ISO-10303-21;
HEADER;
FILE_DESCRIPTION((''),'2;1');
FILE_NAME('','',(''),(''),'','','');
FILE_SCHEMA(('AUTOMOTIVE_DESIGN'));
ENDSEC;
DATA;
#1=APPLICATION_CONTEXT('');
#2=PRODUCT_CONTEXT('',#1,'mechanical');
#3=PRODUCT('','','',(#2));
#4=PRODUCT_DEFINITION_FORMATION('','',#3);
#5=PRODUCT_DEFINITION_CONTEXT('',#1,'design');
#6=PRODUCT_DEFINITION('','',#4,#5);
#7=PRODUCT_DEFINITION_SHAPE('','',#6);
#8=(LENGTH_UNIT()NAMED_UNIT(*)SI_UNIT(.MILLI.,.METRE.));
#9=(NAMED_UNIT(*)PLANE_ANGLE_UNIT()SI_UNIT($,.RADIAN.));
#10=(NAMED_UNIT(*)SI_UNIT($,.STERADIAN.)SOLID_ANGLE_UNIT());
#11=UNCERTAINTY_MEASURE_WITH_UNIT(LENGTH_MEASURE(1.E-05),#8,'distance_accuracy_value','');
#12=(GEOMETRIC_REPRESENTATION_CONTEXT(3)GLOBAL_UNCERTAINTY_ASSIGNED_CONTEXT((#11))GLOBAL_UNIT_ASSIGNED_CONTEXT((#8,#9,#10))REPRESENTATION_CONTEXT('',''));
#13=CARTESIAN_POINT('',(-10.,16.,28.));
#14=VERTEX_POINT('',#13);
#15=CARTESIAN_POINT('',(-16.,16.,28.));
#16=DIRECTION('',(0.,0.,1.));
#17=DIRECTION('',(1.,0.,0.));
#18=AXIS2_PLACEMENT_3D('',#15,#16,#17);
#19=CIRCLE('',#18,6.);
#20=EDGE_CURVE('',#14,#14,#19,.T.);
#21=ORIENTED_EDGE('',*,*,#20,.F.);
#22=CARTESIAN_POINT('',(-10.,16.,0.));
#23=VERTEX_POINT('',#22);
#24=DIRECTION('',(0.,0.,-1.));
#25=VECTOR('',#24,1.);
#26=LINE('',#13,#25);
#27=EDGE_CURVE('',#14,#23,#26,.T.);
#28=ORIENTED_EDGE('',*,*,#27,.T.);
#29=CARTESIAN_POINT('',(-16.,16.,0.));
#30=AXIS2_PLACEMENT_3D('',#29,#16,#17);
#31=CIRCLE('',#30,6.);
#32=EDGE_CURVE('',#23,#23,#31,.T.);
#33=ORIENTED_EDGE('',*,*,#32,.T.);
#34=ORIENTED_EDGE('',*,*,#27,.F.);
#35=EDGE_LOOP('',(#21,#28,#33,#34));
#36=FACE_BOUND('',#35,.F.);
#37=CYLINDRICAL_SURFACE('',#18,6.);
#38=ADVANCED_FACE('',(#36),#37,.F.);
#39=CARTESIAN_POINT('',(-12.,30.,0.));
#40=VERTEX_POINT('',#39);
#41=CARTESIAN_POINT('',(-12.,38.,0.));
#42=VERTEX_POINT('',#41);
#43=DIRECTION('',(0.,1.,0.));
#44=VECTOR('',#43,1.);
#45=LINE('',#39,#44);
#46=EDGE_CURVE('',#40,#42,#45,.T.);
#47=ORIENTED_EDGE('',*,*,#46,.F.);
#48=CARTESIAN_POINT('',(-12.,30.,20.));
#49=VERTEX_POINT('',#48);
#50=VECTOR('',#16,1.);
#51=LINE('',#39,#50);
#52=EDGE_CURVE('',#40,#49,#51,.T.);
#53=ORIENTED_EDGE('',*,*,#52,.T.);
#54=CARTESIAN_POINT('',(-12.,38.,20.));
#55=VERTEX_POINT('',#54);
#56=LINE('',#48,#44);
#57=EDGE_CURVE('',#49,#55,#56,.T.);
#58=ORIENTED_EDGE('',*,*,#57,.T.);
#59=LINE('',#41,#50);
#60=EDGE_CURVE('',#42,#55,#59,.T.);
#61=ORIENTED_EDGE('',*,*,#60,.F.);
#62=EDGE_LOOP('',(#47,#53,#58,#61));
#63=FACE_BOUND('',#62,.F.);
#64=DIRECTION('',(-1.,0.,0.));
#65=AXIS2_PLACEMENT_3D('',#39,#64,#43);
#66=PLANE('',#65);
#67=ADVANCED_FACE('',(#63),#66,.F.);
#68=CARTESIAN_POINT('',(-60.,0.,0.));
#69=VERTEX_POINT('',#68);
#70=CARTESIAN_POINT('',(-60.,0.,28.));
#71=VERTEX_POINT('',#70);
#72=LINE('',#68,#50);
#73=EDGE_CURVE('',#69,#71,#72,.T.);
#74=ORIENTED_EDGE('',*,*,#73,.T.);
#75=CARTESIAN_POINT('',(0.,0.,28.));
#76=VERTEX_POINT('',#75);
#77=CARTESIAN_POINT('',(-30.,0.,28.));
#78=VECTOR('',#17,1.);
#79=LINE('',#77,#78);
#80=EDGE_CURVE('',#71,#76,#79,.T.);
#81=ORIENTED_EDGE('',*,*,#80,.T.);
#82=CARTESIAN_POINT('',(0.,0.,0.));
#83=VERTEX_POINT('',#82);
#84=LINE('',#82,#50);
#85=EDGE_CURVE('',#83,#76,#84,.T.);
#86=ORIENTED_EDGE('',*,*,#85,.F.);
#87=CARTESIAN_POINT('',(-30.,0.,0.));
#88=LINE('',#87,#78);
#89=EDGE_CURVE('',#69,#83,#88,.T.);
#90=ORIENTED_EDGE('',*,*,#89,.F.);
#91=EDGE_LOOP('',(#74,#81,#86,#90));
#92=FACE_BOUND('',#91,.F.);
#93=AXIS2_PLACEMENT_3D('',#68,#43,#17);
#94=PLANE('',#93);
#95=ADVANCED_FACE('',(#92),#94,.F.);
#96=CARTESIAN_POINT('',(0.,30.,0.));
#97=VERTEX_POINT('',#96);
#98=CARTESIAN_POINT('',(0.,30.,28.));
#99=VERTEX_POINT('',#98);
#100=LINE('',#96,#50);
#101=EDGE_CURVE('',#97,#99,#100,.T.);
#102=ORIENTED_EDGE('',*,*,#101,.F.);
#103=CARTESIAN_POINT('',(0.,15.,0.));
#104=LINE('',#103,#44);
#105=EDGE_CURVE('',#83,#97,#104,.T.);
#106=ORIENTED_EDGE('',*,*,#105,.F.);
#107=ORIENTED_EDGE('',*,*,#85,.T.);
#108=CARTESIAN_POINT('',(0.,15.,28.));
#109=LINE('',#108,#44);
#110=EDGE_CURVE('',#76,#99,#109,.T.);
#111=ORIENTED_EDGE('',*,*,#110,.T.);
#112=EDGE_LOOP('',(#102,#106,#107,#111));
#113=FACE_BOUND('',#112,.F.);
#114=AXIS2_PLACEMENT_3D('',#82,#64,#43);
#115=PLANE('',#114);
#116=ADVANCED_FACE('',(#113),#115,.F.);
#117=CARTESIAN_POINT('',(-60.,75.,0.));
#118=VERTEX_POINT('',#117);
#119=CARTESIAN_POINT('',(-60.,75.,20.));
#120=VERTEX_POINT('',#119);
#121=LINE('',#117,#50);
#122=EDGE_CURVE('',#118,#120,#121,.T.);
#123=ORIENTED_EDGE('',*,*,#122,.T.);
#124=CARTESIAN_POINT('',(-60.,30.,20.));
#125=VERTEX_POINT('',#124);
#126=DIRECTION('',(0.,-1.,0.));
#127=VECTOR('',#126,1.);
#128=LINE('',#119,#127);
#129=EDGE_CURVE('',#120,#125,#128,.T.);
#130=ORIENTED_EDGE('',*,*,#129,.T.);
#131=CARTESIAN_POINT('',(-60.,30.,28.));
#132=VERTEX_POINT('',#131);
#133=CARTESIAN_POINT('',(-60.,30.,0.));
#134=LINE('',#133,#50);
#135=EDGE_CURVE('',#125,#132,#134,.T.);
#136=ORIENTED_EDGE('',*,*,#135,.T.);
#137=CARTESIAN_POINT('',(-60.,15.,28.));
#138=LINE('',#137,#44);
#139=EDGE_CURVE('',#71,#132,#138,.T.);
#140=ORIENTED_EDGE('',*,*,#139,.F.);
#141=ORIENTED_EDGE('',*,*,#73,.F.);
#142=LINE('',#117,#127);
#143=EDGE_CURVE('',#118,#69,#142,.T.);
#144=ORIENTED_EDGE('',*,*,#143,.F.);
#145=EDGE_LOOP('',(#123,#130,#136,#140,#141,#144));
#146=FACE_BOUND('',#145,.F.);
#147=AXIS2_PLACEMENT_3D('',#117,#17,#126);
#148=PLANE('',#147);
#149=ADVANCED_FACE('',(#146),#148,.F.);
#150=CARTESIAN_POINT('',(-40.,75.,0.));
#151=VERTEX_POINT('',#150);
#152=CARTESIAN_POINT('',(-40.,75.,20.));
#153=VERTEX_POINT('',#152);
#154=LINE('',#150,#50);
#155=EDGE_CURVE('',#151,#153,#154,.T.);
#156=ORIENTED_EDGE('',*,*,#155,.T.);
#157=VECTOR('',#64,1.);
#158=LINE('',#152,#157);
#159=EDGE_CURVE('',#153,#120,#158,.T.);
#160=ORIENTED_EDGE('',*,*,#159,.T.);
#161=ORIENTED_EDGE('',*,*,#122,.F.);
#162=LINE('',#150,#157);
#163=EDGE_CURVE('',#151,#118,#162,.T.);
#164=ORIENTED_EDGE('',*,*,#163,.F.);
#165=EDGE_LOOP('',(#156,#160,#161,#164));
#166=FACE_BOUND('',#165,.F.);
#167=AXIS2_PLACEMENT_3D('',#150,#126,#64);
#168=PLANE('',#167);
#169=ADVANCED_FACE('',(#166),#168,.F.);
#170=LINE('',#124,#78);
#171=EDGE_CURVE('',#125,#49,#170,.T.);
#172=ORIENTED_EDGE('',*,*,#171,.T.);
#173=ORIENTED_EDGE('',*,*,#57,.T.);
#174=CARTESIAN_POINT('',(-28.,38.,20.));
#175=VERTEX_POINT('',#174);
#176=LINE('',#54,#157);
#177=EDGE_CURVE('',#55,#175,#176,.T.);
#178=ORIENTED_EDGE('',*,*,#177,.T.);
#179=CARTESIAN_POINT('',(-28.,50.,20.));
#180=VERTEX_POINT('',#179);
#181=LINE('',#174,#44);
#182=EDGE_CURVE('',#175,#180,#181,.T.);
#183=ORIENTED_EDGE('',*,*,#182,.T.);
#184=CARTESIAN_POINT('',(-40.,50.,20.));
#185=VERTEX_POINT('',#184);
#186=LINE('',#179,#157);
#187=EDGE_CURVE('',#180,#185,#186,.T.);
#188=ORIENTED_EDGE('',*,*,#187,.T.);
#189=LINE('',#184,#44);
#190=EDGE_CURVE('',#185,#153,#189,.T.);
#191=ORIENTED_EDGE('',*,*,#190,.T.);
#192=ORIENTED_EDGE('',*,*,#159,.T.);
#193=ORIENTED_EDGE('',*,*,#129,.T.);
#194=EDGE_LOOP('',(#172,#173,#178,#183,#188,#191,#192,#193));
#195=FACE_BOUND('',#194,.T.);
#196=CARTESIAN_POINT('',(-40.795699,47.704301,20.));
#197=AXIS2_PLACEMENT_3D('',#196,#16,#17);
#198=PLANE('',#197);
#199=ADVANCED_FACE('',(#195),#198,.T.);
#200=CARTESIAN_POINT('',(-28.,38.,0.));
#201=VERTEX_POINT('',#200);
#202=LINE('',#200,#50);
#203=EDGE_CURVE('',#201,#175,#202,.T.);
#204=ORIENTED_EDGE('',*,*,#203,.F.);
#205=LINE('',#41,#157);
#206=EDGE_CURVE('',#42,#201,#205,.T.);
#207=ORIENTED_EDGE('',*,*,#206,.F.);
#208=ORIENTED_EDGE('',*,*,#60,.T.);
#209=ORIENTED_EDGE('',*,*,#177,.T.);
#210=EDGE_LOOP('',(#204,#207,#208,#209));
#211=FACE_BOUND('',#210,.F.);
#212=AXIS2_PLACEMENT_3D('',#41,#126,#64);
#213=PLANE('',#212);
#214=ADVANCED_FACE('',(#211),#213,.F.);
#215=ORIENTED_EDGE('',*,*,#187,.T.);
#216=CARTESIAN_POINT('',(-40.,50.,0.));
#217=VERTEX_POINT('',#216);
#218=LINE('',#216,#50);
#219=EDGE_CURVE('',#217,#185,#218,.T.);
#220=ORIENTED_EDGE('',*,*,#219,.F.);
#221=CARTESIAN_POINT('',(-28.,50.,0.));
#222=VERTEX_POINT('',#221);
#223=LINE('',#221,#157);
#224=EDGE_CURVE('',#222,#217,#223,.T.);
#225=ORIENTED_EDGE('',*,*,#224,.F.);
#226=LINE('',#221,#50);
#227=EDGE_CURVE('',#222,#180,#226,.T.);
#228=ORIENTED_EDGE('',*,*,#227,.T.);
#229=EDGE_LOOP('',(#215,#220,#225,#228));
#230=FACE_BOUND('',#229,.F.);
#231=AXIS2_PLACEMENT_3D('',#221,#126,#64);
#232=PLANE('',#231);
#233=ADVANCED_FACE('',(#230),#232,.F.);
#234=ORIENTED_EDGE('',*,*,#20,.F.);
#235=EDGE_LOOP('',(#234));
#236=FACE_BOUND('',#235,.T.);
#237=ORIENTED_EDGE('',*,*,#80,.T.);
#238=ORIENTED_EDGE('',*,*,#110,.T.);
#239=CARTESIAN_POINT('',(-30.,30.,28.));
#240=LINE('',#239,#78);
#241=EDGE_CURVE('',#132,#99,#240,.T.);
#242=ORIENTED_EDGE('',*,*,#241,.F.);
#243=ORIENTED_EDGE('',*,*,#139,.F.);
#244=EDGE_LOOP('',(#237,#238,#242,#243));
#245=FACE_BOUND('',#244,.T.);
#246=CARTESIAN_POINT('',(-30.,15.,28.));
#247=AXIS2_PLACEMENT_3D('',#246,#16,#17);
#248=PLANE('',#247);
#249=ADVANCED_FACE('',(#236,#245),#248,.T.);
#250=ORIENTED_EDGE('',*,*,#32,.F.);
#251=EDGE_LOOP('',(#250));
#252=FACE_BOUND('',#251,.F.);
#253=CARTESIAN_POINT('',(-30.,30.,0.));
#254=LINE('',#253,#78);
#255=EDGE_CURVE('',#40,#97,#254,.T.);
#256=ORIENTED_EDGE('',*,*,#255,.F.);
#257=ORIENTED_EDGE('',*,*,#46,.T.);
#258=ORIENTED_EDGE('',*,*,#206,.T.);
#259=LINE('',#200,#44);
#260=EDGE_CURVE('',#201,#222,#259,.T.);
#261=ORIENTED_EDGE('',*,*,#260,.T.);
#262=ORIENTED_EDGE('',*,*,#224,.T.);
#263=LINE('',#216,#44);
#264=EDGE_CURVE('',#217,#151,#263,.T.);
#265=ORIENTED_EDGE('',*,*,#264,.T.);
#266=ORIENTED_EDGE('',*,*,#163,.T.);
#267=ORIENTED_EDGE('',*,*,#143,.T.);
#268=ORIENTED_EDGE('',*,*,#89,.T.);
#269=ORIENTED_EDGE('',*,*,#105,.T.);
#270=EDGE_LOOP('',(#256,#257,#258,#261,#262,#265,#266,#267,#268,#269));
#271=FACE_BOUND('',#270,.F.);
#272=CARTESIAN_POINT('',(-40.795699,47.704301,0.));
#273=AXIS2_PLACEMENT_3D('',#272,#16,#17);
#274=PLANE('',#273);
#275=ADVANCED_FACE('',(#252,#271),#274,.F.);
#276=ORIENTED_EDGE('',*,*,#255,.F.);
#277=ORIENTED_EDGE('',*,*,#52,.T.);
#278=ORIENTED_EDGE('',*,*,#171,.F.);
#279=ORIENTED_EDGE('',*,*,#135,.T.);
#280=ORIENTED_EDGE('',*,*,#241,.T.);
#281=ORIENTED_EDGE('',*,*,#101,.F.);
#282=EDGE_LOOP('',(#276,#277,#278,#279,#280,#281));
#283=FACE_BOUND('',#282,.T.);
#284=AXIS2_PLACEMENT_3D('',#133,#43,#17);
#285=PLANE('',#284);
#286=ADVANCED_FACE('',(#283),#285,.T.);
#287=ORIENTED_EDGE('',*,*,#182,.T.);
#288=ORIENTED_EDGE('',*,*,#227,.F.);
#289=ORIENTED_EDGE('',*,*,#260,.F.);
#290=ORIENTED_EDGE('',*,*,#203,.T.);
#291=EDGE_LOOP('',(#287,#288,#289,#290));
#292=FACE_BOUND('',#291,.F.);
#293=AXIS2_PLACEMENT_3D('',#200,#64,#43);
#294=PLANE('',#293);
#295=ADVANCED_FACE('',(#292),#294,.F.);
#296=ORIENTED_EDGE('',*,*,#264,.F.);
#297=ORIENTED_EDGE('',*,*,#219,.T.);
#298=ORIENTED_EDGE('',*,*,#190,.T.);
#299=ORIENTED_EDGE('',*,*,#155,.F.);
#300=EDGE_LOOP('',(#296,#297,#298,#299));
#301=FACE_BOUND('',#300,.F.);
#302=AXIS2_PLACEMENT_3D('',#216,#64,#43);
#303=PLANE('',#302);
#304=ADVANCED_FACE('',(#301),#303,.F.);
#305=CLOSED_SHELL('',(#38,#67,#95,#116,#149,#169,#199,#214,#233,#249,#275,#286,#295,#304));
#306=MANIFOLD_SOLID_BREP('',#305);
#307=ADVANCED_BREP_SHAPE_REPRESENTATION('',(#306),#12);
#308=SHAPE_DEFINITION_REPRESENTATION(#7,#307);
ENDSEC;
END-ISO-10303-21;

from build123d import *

# Parameters (mm, degrees)
CROQUIS2_W              = 60
CROQUIS2_H              = 30
SALIENTE_EXTRUIR1_DEPTH = 28
SALIENTE_EXTRUIR2_DEPTH = 20
CROQUIS5_R              = 6
CORTAR_EXTRUIR1_DEPTH   = 29


with BuildPart() as part:
    # Croquis2 → Saliente-Extruir1 (new body)
    with BuildSketch(Plane.XY):
        with Locations((-30, 15)):
            Rectangle(CROQUIS2_W, CROQUIS2_H)
    extrude(amount=SALIENTE_EXTRUIR1_DEPTH)

    # Croquis2_4 → Saliente-Extruir2 (add)
    with BuildSketch(Plane.XY):
        Polygon((-60, 75), (-60, 30), (-12, 30), (-12, 38), (-28, 38), (-28, 50), (-40, 50), (-40, 75), align=None)
    extrude(amount=SALIENTE_EXTRUIR2_DEPTH)

    # Croquis5 → Cortar-Extruir1 (cut, through all)
    with BuildSketch(Plane.XY.offset(28)):
        with Locations((-16, 16)):
            Circle(CROQUIS5_R)
    extrude(amount=-CORTAR_EXTRUIR1_DEPTH, mode=Mode.SUBTRACT)


solid = part.part
